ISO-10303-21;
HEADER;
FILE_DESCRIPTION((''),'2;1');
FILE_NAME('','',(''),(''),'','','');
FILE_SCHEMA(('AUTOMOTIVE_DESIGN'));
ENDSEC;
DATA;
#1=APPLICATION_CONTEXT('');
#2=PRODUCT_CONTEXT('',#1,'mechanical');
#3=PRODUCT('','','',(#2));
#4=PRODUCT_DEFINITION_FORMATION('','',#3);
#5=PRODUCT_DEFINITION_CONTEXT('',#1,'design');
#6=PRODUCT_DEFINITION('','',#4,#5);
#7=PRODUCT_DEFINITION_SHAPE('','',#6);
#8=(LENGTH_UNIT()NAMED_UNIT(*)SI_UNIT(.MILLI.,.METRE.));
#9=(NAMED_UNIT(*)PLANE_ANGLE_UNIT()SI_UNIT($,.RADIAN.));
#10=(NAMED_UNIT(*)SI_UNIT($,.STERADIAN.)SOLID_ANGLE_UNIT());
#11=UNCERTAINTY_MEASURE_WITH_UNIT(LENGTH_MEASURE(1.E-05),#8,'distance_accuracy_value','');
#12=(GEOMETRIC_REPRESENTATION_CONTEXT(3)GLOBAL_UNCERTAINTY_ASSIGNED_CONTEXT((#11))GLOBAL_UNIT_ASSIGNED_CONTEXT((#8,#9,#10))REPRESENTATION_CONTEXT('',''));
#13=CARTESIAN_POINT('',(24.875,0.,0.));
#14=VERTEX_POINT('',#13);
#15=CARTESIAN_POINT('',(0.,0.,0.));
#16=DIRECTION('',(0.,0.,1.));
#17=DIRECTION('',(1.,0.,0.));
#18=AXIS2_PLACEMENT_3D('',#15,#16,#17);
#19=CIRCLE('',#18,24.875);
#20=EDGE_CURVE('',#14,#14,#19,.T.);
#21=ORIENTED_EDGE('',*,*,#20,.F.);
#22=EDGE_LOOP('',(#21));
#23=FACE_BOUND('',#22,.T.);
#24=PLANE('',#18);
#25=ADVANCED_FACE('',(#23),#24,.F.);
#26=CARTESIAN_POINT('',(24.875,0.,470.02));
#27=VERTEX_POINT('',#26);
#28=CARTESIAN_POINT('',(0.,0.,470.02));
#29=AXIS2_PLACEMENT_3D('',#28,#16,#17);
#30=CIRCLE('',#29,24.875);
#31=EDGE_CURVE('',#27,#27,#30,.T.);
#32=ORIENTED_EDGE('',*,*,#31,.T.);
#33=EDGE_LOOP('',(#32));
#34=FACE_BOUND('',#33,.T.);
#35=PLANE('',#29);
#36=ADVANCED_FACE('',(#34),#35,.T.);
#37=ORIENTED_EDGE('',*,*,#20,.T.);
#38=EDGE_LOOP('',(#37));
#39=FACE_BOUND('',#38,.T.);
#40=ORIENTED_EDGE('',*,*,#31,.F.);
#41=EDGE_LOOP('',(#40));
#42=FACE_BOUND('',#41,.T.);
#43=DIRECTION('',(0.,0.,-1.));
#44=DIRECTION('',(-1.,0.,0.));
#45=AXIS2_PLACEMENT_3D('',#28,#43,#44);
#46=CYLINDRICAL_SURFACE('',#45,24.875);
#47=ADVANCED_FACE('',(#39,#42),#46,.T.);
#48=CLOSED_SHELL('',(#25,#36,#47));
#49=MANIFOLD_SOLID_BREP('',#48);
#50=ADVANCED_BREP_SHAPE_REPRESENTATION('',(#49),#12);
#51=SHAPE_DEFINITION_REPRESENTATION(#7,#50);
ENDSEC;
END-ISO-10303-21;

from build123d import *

# Parameters (mm, degrees)
SKETCH1_R           = 24.875
BOSS_EXTRUDE1_DEPTH = 470.02


with BuildPart() as part:
    # Sketch1 → Boss-Extrude1 (new body)
    with BuildSketch(Plane.XY):
        Circle(SKETCH1_R)
    extrude(amount=BOSS_EXTRUDE1_DEPTH)


solid = part.part
